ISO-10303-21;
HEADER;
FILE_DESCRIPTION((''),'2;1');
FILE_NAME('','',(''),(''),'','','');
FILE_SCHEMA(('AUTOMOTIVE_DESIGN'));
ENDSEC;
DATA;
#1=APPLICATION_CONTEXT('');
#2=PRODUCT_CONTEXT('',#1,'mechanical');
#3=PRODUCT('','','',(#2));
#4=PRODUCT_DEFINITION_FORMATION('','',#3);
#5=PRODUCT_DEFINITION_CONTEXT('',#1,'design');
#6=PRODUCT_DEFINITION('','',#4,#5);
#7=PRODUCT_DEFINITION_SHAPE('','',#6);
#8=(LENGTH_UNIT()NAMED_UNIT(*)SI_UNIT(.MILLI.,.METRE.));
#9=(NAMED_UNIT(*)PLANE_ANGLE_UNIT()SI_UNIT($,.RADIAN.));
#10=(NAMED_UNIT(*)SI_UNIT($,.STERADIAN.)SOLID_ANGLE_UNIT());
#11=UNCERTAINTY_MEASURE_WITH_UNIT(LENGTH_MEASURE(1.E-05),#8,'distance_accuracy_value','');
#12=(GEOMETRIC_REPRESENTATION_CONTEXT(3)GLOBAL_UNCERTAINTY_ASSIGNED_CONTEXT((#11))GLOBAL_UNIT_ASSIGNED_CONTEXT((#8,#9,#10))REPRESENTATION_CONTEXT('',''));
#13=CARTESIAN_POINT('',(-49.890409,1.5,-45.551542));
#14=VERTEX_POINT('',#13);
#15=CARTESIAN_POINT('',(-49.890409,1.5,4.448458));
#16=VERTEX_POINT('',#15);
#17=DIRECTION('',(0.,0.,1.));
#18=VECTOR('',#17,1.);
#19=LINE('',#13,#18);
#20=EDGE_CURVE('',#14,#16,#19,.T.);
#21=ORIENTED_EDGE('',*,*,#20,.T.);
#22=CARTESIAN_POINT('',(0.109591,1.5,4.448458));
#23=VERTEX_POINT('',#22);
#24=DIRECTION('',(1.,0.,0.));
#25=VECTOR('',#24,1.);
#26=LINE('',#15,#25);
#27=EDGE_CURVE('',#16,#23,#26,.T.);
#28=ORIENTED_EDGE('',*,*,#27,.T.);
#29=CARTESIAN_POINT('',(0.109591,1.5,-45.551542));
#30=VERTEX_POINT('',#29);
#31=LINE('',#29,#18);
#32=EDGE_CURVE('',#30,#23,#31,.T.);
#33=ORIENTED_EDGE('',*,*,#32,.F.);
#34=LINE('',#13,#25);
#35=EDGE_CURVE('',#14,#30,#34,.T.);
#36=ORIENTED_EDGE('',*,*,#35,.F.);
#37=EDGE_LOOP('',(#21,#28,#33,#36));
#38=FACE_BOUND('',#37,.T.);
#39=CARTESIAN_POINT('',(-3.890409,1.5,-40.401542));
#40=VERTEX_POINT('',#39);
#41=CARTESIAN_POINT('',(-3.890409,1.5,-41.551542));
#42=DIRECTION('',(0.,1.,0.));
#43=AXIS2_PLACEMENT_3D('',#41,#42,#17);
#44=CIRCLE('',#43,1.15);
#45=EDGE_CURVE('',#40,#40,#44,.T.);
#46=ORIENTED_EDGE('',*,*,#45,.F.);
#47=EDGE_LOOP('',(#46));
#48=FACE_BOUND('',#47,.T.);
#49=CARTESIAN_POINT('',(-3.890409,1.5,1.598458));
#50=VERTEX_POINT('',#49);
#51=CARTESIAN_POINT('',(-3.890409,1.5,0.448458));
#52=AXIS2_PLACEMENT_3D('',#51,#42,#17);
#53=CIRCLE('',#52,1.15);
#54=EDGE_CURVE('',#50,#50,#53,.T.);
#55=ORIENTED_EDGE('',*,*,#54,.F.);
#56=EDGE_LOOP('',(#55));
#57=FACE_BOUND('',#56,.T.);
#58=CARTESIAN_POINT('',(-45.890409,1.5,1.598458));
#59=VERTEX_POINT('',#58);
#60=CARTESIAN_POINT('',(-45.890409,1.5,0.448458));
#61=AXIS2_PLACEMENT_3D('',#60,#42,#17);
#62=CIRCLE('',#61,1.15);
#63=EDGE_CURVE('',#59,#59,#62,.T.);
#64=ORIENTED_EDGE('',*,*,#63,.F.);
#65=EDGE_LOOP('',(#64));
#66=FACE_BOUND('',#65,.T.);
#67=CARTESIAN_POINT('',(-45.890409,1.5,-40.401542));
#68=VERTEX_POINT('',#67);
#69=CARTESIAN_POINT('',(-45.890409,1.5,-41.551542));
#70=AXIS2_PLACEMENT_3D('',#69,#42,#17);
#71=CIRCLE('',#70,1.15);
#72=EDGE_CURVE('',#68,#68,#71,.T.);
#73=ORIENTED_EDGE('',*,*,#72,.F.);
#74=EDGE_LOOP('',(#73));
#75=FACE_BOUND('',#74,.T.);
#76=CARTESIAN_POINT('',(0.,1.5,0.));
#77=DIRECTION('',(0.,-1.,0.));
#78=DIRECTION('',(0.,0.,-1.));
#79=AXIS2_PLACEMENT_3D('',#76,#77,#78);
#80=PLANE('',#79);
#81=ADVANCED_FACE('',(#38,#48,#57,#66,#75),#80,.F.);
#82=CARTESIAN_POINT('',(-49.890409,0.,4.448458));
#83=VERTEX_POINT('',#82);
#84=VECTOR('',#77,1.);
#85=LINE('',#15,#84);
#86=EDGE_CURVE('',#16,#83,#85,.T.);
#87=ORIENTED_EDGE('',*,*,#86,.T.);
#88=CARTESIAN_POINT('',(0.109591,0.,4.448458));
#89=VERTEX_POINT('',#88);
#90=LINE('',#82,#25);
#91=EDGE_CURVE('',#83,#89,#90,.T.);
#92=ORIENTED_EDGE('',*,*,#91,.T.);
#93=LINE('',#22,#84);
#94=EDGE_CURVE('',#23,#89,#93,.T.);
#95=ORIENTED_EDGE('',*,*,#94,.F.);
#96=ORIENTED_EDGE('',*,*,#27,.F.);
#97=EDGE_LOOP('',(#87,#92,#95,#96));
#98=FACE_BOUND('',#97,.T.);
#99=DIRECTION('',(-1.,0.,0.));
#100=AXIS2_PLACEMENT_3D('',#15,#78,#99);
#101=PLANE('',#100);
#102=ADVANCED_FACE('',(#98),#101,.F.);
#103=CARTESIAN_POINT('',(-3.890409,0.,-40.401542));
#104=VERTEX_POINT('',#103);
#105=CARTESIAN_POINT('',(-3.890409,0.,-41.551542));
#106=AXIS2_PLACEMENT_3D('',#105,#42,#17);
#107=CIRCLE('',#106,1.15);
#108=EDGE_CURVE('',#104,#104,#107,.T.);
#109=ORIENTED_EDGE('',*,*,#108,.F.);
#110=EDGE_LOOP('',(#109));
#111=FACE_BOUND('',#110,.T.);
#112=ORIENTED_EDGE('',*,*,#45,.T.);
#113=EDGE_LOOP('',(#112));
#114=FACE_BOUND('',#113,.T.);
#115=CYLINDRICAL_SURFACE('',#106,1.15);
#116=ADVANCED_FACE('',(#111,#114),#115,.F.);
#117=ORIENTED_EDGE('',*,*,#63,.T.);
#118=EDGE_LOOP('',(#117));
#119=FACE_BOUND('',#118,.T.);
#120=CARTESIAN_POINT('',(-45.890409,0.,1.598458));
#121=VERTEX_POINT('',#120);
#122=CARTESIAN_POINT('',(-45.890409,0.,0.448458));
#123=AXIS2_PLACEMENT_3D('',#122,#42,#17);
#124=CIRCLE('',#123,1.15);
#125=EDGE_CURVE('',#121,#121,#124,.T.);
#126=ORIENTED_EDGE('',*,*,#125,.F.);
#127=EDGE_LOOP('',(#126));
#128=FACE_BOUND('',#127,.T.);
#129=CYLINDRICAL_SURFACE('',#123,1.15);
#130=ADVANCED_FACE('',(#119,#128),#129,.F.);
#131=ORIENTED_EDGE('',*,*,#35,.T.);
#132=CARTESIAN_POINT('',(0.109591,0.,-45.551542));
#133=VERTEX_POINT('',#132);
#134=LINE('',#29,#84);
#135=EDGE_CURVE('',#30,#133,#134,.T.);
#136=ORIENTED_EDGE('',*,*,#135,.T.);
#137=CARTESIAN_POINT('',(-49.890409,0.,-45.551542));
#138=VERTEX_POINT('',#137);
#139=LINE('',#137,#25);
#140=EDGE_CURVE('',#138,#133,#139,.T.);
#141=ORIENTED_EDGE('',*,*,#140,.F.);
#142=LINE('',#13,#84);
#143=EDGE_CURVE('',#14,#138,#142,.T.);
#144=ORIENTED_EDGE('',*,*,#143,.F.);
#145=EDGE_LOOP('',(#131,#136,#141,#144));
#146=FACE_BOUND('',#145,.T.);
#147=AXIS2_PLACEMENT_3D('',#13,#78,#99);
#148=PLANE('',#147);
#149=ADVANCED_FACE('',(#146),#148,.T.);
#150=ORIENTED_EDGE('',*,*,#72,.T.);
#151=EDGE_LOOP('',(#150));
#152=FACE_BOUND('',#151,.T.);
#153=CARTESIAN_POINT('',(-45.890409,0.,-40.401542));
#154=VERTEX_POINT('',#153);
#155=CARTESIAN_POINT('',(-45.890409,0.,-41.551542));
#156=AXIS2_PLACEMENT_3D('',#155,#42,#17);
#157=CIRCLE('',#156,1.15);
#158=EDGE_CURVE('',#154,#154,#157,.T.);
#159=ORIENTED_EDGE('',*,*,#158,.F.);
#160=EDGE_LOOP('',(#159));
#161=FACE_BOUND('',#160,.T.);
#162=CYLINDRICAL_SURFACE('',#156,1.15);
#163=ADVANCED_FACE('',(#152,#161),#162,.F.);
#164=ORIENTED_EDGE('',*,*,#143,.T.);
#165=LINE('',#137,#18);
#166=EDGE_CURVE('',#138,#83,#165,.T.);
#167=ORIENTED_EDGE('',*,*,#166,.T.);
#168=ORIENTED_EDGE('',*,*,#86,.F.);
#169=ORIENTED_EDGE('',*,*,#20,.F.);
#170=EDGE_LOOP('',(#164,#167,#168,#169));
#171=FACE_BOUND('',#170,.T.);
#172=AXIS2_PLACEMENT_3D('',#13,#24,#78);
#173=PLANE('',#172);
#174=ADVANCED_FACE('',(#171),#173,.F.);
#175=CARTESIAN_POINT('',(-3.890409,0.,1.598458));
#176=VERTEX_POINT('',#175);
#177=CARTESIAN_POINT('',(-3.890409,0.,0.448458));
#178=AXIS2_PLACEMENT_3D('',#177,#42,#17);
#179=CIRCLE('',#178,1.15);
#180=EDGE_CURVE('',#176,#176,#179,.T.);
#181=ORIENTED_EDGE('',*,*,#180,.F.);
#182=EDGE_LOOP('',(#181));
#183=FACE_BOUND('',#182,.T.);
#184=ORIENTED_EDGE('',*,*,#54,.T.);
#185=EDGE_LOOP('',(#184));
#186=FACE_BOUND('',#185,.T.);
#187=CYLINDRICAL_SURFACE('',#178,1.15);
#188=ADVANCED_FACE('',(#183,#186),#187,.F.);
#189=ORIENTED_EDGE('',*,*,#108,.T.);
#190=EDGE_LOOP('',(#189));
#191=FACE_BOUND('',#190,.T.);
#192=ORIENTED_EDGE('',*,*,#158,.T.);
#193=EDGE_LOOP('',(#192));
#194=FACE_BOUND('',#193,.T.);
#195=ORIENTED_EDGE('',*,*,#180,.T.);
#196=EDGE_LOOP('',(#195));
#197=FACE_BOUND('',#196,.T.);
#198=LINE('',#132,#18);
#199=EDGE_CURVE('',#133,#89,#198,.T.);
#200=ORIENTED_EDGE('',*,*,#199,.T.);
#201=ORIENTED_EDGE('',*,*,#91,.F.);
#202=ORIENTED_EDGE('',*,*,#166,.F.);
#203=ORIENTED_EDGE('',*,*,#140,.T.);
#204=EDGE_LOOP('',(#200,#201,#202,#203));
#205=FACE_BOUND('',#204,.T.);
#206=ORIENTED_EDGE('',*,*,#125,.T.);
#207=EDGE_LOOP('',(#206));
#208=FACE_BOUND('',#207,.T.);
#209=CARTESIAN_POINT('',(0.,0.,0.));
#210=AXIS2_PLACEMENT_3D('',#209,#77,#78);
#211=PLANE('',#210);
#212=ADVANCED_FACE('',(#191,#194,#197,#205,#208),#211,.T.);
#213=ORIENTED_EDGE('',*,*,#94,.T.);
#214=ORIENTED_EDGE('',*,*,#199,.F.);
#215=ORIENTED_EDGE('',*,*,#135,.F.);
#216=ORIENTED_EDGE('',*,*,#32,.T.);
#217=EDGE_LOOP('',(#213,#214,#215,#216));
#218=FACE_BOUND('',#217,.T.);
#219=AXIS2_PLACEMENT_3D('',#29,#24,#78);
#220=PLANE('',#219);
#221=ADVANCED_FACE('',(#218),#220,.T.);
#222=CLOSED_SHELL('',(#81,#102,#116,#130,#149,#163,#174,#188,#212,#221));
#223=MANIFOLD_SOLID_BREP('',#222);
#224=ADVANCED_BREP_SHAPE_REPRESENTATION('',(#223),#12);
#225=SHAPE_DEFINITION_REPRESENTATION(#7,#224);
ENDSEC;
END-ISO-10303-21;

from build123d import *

# Parameters (mm, degrees)
ESQUISSE1_W             = 50
ESQUISSE1_H             = 50
BOSS_EXTRU_1_DEPTH      = 1.5
ESQUISSE2_R             = 1.15
ENL_V_MAT_EXTRU_1_DEPTH = 1.5


with BuildPart() as part:
    # Esquisse1 → Boss.-Extru.1 (new body)
    with BuildSketch(Plane(origin=(0, 0, 0), x_dir=(1, 0, 0), z_dir=(0, 1, 0))):
        with Locations((-24.890409064, 20.551542387)):
            Rectangle(ESQUISSE1_W, ESQUISSE1_H)
    extrude(amount=BOSS_EXTRU_1_DEPTH)

    # Esquisse2 → Enlèv. mat.-Extru.1 (cut)
    with BuildSketch(Plane(origin=(0, 1.5, 0), x_dir=(1, 0, 0), z_dir=(0, 1, 0))):
        with Locations(Location((-3.890409064, -0.448457613, 0), (0, 0, 270))):
            Circle(ESQUISSE2_R)
        with Locations(Location((-45.890409064, -0.448457613, 0), (0, 0, 270))):
            Circle(ESQUISSE2_R)
        with Locations(Location((-45.890409064, 41.551542387, 0), (0, 0, 270))):
            Circle(ESQUISSE2_R)
        with Locations(Location((-3.890409064, 41.551542387, 0), (0, 0, 270))):
            Circle(ESQUISSE2_R)
    extrude(amount=-ENL_V_MAT_EXTRU_1_DEPTH, mode=Mode.SUBTRACT)


solid = part.part
